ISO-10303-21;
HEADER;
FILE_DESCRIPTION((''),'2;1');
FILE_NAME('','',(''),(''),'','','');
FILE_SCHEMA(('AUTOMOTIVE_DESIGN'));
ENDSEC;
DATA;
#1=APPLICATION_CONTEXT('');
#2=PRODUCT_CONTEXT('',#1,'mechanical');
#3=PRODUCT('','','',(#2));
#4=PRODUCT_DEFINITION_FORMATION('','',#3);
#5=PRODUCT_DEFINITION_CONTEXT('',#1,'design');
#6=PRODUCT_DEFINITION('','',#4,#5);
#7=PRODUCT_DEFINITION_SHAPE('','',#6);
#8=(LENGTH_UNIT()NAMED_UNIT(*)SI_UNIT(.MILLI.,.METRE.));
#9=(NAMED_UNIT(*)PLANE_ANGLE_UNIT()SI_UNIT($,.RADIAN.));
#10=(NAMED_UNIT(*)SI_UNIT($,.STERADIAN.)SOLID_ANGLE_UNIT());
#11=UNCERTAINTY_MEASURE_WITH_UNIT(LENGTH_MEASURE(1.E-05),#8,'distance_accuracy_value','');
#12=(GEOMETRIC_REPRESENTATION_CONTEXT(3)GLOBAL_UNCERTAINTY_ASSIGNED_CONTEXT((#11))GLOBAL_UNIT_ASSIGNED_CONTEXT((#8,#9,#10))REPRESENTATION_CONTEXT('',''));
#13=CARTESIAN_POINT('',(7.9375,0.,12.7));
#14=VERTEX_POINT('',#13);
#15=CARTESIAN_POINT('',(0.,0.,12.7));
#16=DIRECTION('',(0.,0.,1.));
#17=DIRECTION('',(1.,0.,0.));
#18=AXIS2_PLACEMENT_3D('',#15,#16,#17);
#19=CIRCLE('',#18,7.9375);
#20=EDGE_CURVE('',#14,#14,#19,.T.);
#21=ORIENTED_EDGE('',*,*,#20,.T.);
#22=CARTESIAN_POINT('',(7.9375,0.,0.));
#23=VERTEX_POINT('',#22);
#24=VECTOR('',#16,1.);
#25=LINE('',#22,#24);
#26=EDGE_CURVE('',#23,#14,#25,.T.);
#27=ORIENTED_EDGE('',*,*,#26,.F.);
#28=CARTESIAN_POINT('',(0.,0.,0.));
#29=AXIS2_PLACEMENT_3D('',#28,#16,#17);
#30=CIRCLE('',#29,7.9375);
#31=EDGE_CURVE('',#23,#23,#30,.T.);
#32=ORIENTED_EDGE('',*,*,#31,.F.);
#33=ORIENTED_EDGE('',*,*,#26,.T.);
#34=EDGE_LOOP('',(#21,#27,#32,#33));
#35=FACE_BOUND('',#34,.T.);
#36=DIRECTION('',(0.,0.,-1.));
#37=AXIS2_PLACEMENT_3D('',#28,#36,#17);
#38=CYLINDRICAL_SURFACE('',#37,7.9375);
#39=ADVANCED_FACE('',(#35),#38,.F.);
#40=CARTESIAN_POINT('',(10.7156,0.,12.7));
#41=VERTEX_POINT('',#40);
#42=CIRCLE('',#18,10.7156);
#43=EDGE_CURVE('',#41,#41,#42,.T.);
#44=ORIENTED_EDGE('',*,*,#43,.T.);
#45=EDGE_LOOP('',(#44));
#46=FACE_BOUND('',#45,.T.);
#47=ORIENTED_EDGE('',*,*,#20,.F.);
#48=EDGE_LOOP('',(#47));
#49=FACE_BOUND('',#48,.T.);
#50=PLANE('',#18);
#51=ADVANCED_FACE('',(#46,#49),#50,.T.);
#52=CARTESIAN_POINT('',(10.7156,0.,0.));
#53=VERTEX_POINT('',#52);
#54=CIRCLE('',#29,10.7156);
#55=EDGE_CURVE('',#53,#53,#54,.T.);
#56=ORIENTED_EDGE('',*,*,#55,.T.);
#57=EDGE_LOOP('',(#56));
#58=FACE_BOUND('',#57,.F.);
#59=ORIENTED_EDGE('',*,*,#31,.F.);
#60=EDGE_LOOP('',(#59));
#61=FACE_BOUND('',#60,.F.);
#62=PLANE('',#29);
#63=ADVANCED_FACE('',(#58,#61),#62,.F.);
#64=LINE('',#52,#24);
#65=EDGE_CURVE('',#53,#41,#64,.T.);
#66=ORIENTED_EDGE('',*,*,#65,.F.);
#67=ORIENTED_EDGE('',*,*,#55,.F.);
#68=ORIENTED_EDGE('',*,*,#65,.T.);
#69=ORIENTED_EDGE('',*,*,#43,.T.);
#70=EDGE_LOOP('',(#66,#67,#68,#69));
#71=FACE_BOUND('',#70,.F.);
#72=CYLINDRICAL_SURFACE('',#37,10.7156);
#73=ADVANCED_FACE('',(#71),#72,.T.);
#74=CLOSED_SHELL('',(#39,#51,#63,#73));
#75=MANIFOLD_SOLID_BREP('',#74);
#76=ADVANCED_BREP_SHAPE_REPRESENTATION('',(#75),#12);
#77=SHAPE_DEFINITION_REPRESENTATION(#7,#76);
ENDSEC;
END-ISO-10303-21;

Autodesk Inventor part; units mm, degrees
ref_plane "YZ Plane" through (0, 0, 0) normal (1, 0, 0) x (0, 1, 0)
ref_plane "XZ Plane" through (0, 0, 0) normal (0, 1, 0) x (-1, 0, 0)
ref_plane "XY Plane" through (0, 0, 0) normal (0, 0, 1) x (1, 0, 0)
sketch "Sketch1" plane through (0, 0, 0) normal (0, 0, 1) x (1, 0, 0)
  circle A0 centre (0, 0) radius 7.9375
  circle A1 centre (0, 0) radius 10.7156
  dimension "d0" = 15.875
  dimension "d2" = 21.4312
extrude "Extrusion1" add sketch "Sketch1" along normal blind 12.7
properties part number "Carriage Spacer - Input"
